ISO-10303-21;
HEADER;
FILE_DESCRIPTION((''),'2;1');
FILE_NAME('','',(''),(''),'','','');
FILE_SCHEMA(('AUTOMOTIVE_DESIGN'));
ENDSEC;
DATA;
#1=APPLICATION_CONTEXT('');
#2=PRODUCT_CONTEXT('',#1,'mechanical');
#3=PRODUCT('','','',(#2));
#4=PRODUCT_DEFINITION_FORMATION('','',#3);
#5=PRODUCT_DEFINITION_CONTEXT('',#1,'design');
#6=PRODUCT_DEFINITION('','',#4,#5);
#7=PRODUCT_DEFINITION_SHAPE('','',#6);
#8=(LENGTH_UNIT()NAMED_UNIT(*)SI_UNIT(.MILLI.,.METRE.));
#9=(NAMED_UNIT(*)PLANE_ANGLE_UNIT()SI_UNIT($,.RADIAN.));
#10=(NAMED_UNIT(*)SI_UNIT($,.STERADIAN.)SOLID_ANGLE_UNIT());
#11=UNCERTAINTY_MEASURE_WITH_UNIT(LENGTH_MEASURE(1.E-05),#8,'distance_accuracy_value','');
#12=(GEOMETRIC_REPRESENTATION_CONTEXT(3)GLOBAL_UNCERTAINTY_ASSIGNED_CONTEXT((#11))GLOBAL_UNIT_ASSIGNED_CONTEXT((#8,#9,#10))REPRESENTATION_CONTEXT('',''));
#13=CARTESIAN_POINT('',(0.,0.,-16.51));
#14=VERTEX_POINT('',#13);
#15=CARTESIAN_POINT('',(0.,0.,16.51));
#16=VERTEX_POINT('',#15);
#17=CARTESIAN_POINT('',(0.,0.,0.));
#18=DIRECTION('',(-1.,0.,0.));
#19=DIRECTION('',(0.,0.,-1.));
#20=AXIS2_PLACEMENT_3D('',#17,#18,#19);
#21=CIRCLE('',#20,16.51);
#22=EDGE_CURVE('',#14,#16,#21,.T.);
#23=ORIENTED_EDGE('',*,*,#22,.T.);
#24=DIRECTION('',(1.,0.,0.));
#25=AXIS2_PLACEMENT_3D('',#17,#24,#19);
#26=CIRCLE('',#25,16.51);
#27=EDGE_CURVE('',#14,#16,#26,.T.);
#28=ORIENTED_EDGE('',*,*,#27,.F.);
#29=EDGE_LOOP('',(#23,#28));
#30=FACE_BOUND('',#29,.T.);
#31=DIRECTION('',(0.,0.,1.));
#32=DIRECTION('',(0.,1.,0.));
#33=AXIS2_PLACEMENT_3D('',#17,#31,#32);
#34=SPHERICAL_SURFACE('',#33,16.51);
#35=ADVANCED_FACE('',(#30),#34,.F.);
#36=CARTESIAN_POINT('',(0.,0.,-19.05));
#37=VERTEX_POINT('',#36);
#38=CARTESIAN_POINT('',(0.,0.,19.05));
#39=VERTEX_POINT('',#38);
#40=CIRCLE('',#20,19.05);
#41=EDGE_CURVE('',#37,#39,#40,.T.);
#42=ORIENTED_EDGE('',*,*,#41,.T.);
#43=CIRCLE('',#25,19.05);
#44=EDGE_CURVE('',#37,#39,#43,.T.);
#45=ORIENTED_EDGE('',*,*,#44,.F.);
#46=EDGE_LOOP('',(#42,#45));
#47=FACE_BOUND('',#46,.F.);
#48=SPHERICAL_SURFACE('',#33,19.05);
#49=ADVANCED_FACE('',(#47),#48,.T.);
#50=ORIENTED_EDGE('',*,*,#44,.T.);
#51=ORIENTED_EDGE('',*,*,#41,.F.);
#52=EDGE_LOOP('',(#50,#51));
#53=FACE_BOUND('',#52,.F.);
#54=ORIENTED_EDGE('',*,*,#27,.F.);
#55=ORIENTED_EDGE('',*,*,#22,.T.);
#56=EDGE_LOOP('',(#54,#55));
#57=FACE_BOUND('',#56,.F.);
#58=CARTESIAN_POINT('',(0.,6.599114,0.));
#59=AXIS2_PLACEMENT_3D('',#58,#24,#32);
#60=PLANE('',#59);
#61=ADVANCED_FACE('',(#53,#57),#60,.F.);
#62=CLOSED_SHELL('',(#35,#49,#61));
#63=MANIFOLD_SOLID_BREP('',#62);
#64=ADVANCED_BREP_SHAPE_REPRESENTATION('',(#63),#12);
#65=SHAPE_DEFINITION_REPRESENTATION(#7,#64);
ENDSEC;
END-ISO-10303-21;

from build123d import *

# Parameters (mm, degrees)
F1_ANGLE_BACK = 90
F1_ANGLE      = 180
F2_T          = -2.54


with BuildPart() as f1:
    # F0 (on Front) → F1 (revolve)
    with BuildSketch(Plane.XZ, mode=Mode.PRIVATE) as f1_sk:
        with BuildLine():
            Line((0, 0), (0, -19.05))
            ThreePointArc((0, -19.05), (19.05, 0), (0, 19.05))
            Line((0, 19.05), (0, 0))
        make_face()
    revolve(f1_sk.sketch.rotate(Axis((0, 0, 22.1610423177), (0, 0, -1)), -F1_ANGLE_BACK), axis=Axis((0, 0, 22.1610423177), (0, 0, -1)), revolution_arc=F1_ANGLE)

    # F2
    f2_openings = [f1.faces().sort_by_distance(p)[0] for p in [
        (0, 0, 0),
    ]]
    offset(amount=F2_T, openings=f2_openings)


solid = f1.part
